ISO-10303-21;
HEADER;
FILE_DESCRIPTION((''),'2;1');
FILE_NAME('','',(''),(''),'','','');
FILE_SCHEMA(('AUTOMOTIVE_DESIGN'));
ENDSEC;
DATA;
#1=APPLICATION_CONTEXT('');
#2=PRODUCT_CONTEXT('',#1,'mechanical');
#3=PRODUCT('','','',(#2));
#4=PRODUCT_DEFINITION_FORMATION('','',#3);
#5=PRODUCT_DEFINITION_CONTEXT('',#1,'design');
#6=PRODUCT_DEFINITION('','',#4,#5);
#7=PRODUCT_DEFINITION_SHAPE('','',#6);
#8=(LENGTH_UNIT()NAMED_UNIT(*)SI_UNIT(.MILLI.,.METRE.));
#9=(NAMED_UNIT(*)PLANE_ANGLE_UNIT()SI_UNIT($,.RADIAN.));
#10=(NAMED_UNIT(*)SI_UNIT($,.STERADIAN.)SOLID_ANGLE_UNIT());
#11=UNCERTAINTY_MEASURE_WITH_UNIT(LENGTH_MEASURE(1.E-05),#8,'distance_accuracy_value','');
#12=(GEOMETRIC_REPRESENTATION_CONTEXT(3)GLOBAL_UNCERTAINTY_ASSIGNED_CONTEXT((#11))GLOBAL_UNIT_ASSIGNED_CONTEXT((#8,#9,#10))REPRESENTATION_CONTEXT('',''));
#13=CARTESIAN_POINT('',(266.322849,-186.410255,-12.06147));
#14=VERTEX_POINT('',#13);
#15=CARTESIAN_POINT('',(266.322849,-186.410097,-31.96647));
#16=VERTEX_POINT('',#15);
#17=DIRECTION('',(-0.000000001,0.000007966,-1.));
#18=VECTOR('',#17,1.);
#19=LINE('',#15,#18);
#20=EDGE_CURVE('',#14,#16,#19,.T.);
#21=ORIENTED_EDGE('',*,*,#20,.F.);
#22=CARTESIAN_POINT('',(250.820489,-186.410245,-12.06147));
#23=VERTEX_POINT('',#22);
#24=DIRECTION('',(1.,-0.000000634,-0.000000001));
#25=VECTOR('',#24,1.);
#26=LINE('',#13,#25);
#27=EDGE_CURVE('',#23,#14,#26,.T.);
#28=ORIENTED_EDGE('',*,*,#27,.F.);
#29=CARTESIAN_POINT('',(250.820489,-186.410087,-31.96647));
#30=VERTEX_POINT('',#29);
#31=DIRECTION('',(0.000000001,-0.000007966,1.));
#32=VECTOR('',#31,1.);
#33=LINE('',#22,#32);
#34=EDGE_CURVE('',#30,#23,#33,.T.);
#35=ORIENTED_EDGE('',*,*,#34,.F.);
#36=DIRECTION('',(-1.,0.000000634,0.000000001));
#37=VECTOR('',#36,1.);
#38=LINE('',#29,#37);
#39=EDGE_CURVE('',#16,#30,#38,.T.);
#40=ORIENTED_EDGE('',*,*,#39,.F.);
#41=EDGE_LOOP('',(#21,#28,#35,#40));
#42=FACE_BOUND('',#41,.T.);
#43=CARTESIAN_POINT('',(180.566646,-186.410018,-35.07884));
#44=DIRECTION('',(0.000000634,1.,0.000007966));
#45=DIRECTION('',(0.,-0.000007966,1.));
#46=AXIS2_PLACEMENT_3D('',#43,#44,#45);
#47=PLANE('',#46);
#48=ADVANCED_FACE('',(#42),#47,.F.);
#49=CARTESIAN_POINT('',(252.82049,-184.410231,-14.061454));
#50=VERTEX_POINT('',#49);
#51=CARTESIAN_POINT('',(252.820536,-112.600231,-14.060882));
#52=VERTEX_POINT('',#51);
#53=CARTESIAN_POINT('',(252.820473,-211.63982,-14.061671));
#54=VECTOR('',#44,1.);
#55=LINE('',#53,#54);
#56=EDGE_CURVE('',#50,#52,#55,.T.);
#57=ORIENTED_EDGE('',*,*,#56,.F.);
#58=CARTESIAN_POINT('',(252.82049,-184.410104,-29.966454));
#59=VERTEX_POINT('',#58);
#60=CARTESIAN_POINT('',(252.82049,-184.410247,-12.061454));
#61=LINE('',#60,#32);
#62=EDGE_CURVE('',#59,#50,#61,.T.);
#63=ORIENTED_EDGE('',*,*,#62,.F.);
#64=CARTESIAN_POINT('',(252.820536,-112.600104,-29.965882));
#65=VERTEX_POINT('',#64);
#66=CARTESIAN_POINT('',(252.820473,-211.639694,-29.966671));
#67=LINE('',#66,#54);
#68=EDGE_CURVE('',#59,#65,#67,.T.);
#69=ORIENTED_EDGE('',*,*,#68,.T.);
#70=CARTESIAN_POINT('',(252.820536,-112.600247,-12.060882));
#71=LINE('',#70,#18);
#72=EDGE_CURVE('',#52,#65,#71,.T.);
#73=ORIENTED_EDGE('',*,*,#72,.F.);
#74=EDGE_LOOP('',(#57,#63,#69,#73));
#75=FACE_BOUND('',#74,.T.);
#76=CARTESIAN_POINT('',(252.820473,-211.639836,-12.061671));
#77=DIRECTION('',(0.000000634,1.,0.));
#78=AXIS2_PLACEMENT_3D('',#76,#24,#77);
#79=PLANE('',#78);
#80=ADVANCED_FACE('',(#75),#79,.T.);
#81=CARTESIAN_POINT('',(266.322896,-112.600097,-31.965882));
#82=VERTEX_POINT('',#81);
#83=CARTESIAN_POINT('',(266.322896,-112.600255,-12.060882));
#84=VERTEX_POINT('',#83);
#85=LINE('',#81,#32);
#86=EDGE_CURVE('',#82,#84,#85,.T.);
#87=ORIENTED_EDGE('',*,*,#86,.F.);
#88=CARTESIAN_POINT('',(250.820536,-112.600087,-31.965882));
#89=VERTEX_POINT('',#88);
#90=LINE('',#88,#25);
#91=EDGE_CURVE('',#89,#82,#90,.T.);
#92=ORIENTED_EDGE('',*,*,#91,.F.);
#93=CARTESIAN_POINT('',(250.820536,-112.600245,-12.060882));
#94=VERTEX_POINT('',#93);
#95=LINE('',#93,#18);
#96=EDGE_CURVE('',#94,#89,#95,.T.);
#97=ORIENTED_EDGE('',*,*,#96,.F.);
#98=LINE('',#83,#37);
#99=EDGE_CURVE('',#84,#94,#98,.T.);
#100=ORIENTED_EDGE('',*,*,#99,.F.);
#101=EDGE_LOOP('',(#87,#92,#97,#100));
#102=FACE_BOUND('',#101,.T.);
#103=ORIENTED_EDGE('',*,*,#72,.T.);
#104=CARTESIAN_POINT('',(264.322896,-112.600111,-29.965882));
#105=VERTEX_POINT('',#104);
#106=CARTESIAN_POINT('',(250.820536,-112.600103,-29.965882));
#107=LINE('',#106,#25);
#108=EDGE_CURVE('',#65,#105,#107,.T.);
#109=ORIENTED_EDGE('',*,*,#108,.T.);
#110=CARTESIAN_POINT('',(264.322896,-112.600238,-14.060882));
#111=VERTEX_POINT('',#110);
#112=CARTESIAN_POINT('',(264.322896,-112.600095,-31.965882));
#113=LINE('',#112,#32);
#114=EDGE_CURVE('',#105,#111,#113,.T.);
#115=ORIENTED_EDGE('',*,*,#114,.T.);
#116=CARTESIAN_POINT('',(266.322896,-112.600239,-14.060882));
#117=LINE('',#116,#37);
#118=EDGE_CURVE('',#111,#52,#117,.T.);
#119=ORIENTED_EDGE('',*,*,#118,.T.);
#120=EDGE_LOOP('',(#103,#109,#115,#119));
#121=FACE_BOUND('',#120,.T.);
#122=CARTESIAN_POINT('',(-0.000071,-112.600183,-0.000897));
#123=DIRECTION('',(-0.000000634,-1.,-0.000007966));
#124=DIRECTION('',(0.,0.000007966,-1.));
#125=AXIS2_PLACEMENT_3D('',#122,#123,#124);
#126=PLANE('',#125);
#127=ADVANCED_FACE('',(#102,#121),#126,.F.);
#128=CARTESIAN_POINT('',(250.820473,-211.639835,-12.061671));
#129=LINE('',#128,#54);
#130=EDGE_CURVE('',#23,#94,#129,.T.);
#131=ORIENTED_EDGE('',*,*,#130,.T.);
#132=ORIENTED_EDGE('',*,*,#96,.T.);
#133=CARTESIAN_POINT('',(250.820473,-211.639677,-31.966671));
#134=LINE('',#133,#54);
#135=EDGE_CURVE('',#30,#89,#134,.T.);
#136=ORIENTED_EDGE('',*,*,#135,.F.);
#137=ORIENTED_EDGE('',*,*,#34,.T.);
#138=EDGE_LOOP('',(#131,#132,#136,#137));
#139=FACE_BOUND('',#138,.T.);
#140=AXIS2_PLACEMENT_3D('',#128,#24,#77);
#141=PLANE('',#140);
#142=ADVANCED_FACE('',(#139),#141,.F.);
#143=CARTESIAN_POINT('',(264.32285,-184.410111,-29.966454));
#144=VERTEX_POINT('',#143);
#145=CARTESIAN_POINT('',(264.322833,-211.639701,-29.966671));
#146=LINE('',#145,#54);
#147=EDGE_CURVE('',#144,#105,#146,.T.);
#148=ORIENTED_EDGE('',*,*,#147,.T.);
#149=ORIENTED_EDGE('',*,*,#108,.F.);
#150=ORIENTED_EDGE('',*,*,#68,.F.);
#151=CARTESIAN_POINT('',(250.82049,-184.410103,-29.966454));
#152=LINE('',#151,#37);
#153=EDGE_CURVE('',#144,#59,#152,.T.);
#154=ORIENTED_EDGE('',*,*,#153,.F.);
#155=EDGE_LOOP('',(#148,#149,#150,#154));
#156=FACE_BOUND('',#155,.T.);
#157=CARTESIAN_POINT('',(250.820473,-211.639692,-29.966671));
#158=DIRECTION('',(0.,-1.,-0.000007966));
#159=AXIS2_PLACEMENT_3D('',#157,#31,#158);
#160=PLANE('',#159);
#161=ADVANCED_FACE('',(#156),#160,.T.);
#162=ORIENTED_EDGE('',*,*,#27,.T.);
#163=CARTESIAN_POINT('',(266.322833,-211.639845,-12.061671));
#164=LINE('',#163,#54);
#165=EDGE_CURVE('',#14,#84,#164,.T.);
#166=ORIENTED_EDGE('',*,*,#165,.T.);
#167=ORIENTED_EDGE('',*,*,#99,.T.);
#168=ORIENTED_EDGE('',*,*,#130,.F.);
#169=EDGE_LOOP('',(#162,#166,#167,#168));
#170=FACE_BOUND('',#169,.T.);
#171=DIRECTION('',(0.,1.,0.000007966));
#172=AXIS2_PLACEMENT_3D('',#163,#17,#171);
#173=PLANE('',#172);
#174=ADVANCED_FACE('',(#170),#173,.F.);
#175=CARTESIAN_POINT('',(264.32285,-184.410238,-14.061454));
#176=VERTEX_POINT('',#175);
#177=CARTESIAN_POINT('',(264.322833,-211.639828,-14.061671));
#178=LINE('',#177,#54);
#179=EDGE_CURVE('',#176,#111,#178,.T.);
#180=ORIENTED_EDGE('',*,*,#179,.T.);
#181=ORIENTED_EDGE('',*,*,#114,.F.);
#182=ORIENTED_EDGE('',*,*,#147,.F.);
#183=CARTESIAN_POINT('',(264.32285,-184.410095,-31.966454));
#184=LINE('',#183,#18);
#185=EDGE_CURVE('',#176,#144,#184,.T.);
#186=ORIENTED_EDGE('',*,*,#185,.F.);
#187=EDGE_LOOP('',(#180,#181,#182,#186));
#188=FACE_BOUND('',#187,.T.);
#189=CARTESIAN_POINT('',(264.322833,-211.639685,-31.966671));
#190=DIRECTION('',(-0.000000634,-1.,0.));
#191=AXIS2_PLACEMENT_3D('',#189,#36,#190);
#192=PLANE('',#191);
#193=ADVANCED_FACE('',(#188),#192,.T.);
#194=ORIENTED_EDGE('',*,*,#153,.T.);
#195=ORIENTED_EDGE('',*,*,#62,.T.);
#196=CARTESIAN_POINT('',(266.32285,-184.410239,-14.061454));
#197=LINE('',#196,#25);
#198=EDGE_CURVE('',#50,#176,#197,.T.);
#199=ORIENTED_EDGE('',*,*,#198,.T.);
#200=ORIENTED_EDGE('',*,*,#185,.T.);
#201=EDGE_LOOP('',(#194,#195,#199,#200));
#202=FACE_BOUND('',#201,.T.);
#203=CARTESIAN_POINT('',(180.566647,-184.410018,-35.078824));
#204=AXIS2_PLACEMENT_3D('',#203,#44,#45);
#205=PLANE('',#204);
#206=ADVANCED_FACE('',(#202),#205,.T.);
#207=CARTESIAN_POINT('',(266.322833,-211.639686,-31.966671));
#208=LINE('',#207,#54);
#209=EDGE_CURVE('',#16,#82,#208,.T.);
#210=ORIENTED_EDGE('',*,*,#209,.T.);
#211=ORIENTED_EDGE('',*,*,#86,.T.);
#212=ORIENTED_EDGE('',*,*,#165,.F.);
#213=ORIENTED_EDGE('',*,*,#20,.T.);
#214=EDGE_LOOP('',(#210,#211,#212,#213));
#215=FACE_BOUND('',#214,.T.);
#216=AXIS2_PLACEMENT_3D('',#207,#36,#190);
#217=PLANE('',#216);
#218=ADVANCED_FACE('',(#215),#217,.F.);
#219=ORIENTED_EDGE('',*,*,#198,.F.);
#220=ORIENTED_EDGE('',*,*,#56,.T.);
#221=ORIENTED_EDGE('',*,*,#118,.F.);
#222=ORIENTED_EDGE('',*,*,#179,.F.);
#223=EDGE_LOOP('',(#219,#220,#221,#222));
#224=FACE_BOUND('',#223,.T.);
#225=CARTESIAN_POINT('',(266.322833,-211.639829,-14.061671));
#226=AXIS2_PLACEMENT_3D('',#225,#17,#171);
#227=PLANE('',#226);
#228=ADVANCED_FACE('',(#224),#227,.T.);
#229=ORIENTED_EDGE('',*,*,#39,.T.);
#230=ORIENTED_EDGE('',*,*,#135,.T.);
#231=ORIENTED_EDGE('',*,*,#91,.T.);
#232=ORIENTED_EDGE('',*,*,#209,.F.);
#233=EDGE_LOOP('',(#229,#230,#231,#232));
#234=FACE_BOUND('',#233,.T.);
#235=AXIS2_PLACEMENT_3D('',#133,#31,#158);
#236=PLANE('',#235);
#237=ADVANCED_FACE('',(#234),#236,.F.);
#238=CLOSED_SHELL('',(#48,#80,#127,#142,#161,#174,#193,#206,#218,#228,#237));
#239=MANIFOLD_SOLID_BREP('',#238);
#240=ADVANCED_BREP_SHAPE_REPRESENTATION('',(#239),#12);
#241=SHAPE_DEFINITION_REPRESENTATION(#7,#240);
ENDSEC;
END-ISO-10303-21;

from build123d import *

# Parameters (mm, degrees)
BOSS_EXTRUDE1_DEPTH = 73.81
SHELL1_T            = -2


with BuildPart() as part:
    # Sketch2 → Boss-Extrude1 (new body)
    with BuildSketch(Plane(origin=(-7.134e-05, -112.600182523, -0.000896932), x_dir=(1, -6.34e-07, 0), z_dir=(-6.34e-07, -1, -7.966e-06))):
        Polygon((266.322967082, -12.059984739), (250.820606891, -12.059984722), (250.82060687, -31.964984722), (266.32296706, -31.964984739), align=None)
    extrude(amount=BOSS_EXTRUDE1_DEPTH)

    # Shell1
    shell1_openings = [part.faces().sort_by_distance(p)[0] for p in [
        (258.571715636, -112.600171002, -22.013381663),
    ]]
    offset(amount=SHELL1_T, openings=shell1_openings, kind=Kind.INTERSECTION)


solid = part.part
